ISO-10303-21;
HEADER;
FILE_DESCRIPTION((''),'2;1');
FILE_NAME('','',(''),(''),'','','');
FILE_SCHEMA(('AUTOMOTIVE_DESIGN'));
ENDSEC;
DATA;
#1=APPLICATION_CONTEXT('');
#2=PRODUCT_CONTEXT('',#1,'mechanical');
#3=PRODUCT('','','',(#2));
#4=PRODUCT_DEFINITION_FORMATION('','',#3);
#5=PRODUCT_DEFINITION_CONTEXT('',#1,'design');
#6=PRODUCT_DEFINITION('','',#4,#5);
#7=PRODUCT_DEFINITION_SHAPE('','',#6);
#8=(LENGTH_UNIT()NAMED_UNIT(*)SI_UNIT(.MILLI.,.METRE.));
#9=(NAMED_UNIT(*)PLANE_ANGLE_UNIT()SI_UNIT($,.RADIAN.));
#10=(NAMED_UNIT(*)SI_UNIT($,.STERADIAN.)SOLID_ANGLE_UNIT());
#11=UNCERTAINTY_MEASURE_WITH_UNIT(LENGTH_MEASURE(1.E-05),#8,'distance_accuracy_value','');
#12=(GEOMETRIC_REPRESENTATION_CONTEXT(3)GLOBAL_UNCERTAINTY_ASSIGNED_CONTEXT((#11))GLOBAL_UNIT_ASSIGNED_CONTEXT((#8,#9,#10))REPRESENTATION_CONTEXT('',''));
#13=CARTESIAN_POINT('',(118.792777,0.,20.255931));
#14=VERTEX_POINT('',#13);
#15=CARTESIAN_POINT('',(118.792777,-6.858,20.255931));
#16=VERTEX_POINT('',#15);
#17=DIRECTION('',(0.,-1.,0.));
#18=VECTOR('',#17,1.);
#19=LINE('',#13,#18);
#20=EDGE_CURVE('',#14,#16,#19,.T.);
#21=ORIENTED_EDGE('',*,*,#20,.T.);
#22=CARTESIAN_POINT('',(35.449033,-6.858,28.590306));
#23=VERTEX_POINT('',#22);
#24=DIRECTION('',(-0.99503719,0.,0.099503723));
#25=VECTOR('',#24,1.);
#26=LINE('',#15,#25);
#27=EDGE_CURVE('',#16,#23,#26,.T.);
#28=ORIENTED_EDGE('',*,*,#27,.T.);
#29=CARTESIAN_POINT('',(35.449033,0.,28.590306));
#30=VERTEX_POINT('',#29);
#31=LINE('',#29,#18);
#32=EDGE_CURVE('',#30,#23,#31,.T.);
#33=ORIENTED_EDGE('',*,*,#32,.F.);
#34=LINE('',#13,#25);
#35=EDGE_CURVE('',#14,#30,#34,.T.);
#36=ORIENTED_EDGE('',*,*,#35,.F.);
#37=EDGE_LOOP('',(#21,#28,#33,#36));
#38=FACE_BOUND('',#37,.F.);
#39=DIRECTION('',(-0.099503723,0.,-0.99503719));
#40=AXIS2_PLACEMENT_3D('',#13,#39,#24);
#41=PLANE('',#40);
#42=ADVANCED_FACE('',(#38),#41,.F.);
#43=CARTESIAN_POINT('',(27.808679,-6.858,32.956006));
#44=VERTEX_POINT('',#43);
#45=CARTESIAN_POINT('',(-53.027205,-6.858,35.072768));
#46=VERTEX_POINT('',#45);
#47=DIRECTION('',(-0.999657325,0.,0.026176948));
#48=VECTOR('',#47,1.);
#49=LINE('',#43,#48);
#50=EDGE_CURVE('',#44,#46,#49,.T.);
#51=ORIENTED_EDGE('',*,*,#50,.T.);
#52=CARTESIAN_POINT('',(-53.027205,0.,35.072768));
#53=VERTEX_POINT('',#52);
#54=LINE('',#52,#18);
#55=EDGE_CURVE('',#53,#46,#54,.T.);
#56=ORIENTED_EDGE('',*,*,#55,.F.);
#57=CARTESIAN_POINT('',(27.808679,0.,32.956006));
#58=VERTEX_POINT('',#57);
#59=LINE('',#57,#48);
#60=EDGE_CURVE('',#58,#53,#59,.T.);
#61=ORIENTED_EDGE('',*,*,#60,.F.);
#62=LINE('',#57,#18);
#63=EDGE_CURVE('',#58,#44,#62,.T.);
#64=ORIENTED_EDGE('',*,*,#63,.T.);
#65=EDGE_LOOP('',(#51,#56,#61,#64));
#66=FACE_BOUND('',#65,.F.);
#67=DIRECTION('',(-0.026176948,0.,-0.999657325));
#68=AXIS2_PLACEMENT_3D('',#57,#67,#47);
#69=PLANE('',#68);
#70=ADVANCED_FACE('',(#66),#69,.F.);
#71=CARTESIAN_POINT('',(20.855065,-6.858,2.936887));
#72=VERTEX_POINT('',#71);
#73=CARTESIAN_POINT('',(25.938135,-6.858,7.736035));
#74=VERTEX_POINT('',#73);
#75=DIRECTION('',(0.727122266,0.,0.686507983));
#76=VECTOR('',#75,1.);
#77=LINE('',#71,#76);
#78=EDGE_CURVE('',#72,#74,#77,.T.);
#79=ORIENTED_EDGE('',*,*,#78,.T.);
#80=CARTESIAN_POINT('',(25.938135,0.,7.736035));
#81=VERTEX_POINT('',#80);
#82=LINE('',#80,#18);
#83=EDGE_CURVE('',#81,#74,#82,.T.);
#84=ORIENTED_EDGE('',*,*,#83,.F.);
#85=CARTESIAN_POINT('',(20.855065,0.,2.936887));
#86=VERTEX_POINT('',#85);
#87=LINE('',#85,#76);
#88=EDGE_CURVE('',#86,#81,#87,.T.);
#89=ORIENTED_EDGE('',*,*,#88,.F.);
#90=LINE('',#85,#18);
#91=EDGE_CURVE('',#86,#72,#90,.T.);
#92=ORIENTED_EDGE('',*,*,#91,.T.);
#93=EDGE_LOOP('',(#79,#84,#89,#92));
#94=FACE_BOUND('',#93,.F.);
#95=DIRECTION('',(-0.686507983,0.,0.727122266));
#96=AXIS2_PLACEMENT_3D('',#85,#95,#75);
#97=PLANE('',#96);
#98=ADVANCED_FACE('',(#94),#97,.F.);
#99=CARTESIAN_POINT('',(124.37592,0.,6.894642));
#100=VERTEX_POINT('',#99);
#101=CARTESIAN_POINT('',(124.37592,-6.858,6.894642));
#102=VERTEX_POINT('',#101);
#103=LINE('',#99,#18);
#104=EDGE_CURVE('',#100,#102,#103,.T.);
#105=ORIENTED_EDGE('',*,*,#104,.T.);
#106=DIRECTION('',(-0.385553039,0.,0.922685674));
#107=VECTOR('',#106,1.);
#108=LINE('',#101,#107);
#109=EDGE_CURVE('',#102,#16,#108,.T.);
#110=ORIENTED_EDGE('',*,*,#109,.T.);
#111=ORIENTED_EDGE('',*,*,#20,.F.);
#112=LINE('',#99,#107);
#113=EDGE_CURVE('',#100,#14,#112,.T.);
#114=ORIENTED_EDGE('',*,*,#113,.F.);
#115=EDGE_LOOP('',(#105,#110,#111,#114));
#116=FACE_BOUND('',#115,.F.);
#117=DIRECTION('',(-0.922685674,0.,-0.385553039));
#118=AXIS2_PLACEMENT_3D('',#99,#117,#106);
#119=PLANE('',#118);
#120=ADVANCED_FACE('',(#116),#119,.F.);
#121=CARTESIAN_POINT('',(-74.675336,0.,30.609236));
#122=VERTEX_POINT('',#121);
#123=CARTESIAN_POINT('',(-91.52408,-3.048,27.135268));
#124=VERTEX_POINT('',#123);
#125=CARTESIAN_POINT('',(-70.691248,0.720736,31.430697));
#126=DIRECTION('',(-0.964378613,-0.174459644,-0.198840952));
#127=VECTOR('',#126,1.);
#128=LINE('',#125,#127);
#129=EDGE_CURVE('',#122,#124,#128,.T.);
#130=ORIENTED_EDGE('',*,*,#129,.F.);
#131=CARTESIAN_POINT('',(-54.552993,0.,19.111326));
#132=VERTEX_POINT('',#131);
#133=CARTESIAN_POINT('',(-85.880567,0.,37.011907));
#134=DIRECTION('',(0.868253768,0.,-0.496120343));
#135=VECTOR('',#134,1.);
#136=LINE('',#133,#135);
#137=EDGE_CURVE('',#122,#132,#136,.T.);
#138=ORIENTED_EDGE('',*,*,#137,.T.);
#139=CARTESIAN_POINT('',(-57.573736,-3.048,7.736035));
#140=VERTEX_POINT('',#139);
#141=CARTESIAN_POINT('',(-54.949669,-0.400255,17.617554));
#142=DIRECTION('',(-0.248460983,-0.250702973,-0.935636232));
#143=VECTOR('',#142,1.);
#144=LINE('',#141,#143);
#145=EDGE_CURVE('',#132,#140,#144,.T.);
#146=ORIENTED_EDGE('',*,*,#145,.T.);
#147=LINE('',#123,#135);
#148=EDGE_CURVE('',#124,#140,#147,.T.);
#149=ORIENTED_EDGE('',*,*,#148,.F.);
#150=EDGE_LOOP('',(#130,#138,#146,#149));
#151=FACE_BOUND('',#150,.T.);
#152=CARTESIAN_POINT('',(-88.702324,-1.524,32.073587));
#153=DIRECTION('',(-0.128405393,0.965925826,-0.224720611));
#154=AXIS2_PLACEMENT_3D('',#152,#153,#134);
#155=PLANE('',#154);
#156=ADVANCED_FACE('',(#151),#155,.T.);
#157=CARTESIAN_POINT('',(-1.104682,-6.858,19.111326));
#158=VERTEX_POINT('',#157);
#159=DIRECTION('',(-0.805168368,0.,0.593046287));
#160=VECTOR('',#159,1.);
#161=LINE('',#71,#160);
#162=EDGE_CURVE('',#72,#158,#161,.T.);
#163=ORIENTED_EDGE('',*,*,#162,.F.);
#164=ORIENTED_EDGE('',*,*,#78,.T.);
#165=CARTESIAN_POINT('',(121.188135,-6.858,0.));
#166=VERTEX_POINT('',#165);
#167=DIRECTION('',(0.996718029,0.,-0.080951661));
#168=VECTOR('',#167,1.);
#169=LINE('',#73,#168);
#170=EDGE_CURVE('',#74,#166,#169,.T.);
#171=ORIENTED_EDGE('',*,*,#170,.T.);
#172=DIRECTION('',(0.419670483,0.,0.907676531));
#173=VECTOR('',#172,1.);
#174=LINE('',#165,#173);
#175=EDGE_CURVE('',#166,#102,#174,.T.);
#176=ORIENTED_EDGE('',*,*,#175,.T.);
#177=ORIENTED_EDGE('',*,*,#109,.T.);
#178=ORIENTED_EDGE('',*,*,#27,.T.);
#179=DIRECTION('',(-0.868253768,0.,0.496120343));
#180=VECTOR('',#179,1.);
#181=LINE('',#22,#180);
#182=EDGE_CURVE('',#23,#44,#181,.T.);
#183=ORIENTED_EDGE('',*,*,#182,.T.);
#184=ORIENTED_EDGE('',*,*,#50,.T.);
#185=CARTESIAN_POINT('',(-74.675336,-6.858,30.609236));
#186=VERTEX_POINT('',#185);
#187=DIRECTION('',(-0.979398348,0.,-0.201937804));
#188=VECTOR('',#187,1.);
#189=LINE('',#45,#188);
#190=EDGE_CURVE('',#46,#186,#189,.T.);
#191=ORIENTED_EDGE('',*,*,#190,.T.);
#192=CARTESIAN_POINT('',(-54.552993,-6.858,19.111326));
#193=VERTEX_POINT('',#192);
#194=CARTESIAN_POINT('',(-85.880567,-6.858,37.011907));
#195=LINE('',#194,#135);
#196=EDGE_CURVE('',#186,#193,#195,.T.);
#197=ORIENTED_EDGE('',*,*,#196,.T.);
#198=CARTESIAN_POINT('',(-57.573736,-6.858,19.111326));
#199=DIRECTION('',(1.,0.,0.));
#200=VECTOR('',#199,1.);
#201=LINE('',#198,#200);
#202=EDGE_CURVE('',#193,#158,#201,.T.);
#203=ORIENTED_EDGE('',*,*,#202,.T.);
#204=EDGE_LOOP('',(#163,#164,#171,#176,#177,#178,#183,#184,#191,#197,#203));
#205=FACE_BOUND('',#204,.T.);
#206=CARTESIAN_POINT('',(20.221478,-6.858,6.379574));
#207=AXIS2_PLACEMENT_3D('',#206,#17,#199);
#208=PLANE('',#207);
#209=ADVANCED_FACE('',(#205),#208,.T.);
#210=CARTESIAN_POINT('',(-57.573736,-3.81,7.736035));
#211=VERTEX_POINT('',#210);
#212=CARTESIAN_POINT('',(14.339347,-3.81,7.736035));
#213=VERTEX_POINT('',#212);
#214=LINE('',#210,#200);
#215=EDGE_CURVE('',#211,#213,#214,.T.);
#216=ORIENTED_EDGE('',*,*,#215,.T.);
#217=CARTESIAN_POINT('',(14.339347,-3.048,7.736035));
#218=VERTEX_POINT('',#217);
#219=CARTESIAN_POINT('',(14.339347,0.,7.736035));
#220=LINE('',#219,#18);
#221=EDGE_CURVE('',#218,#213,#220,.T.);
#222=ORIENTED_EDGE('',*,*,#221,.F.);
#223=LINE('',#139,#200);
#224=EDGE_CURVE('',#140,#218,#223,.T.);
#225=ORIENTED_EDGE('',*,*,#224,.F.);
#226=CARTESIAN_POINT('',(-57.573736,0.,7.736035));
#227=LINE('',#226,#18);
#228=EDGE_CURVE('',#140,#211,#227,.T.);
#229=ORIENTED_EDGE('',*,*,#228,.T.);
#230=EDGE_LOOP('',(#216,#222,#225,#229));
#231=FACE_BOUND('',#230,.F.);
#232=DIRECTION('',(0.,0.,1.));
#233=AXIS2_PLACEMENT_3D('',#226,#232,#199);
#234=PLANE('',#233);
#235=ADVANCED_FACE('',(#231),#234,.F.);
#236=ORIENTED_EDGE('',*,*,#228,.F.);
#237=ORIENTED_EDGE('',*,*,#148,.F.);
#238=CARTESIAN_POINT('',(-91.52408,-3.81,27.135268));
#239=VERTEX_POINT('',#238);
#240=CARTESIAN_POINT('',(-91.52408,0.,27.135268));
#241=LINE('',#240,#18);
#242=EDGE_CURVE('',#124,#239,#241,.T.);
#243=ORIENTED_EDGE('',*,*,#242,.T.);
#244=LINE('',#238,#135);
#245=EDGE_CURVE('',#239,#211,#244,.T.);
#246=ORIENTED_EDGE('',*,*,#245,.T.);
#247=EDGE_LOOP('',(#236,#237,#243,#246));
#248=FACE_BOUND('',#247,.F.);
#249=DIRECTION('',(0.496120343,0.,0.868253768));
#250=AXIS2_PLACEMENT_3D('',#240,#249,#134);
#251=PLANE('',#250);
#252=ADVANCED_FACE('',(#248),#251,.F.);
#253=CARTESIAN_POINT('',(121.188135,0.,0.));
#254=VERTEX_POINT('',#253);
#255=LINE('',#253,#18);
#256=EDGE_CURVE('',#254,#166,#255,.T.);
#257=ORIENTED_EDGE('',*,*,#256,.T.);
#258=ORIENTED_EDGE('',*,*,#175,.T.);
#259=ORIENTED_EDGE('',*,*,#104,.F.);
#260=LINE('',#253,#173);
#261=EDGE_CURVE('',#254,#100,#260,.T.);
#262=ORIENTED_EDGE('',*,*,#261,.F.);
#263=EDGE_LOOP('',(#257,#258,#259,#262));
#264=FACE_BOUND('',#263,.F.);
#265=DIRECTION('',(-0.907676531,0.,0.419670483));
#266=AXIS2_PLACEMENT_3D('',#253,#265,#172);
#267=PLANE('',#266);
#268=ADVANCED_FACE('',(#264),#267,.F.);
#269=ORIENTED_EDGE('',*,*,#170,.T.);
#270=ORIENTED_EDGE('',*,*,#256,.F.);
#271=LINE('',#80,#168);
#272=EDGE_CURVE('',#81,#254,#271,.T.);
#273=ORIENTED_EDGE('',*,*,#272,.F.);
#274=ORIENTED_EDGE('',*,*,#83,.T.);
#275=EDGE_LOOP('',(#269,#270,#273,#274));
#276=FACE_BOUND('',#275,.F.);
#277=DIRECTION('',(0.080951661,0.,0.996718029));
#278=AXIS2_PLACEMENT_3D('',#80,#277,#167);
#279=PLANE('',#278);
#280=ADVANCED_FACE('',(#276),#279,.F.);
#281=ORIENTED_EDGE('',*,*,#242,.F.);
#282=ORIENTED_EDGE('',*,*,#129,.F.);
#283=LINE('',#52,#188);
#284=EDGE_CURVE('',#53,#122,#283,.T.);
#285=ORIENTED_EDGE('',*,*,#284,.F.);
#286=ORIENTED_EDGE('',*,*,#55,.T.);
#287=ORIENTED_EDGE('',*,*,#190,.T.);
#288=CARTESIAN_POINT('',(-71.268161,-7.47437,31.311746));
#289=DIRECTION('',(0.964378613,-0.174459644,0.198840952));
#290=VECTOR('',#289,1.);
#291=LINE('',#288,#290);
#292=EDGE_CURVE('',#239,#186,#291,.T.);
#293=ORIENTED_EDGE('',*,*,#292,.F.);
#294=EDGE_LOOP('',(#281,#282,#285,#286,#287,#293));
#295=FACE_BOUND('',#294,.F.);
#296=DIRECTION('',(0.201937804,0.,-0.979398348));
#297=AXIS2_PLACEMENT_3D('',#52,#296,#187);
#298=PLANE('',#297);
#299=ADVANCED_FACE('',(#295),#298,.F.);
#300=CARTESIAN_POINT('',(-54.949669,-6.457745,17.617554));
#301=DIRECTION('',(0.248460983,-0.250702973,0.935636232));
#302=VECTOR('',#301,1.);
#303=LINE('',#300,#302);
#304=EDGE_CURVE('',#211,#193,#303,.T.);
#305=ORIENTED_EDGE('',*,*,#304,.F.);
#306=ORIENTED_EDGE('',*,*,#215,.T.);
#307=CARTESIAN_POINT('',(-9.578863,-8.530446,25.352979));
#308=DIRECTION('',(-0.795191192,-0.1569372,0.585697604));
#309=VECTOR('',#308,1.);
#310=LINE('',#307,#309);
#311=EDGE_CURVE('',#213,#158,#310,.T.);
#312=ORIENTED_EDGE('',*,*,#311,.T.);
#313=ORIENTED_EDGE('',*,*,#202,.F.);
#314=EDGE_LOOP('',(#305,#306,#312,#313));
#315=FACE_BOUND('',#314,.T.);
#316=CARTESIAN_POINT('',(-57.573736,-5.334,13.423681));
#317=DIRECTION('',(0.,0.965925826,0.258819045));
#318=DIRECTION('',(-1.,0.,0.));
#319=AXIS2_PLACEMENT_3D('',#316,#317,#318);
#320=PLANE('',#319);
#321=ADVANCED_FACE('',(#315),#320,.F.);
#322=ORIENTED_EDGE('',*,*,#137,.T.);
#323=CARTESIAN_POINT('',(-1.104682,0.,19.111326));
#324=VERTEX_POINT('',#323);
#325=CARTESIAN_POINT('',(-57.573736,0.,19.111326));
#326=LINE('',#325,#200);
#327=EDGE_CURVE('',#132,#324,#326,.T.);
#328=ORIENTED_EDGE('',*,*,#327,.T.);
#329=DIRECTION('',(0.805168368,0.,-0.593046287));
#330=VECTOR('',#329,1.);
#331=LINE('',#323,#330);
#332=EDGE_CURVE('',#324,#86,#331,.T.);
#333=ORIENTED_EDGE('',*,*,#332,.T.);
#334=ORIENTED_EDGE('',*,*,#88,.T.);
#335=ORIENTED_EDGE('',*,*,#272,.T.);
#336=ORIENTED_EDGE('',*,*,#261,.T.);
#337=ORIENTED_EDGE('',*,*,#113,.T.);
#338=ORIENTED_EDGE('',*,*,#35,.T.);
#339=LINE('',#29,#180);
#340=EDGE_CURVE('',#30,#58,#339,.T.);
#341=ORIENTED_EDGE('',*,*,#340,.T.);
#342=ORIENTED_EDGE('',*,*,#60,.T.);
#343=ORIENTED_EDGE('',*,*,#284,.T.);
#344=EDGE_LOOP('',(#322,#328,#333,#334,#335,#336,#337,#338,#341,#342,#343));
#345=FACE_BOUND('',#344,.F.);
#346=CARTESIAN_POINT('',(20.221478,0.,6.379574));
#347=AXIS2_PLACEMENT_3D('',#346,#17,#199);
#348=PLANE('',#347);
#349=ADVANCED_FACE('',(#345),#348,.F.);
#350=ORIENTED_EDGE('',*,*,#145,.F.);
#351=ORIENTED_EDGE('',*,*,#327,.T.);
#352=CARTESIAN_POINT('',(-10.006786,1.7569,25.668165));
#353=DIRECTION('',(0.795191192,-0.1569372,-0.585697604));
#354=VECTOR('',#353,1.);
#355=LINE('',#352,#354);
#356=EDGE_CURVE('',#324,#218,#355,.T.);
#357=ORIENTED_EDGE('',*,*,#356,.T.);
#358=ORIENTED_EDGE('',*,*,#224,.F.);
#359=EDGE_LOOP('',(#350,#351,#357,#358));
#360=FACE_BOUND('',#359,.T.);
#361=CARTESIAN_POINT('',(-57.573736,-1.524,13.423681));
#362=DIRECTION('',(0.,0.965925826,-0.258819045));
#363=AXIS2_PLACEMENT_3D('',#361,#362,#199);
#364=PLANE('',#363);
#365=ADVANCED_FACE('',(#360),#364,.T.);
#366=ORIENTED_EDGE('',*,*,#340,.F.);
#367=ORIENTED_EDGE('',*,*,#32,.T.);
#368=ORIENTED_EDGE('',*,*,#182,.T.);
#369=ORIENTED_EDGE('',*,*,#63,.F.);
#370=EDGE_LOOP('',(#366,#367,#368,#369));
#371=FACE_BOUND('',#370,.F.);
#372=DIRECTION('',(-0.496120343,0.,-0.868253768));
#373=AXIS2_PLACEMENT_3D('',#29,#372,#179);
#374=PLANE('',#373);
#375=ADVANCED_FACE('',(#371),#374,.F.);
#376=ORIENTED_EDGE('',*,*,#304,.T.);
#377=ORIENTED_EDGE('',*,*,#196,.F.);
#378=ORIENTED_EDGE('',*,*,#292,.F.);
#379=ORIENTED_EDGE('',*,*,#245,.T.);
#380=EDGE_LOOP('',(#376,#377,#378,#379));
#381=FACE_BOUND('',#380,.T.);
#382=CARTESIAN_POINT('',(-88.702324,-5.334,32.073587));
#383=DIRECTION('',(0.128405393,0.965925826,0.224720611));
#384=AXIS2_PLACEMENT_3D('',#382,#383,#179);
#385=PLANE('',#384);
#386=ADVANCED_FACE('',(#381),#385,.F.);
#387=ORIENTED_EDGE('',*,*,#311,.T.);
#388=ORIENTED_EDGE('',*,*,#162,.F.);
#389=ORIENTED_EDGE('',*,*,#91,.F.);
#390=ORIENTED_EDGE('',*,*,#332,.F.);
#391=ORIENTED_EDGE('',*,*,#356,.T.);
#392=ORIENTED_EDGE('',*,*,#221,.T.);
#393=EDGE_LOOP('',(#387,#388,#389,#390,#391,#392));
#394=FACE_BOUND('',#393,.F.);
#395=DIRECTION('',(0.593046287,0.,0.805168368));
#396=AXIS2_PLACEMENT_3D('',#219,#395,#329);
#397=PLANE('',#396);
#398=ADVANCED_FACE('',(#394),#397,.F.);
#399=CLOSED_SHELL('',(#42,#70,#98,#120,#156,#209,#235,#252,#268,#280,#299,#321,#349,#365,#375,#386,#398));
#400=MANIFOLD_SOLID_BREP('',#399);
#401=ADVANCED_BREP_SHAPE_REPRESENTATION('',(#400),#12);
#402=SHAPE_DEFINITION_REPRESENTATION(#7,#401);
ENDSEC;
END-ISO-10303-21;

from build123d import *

# Parameters (mm, degrees)
F1_DEPTH = 6.858
F4_SIZE2 = 11.3752908615
F4_SIZE  = 3.048
F5_SIZE2 = 3.048
F5_SIZE  = 11.3752908615


with BuildPart() as f1:
    # F0 (on Front) → F1 (new body)
    with BuildSketch(Plane.XZ):
        Polygon((25.9381346405, 7.736035157), (14.33934737, 7.736035157), (20.8550654352, 2.9368868563), align=None)
        Polygon((-53.0272046242, 35.0727677199), (-91.5240803441, 27.1352675399), (-57.573735714, 7.736035157), (14.33934737, 7.736035157), (25.9381346405, 7.736035157), (121.1881346405, 0), (124.3759196559, 6.8946417749), (118.7927769162, 20.2559313961), (35.4490326759, 28.5903061262), (27.808678696, 32.9560056193), align=None)
    extrude(amount=F1_DEPTH)

    # F4
    f4_edges = [f1.edges().sort_by_distance(p)[0] for p in [
        (-74.548908, -6.858, 17.435651),
        (-21.617194, -6.858, 7.736035),
    ]]
    chamfer(f4_edges, length=F4_SIZE, length2=F4_SIZE2)

    # F5
    f5_edges = [f1.edges().sort_by_distance(p)[0] for p in [
        (-74.548908, 0, 17.435651),
        (-21.617194, 0, 7.736035),
    ]]
    f5_side = f1.faces().sort_by_distance((17.333868, 0, 18.236696))[0]
    chamfer(f5_edges, length=F5_SIZE, length2=F5_SIZE2, reference=f5_side)


solid = f1.part
